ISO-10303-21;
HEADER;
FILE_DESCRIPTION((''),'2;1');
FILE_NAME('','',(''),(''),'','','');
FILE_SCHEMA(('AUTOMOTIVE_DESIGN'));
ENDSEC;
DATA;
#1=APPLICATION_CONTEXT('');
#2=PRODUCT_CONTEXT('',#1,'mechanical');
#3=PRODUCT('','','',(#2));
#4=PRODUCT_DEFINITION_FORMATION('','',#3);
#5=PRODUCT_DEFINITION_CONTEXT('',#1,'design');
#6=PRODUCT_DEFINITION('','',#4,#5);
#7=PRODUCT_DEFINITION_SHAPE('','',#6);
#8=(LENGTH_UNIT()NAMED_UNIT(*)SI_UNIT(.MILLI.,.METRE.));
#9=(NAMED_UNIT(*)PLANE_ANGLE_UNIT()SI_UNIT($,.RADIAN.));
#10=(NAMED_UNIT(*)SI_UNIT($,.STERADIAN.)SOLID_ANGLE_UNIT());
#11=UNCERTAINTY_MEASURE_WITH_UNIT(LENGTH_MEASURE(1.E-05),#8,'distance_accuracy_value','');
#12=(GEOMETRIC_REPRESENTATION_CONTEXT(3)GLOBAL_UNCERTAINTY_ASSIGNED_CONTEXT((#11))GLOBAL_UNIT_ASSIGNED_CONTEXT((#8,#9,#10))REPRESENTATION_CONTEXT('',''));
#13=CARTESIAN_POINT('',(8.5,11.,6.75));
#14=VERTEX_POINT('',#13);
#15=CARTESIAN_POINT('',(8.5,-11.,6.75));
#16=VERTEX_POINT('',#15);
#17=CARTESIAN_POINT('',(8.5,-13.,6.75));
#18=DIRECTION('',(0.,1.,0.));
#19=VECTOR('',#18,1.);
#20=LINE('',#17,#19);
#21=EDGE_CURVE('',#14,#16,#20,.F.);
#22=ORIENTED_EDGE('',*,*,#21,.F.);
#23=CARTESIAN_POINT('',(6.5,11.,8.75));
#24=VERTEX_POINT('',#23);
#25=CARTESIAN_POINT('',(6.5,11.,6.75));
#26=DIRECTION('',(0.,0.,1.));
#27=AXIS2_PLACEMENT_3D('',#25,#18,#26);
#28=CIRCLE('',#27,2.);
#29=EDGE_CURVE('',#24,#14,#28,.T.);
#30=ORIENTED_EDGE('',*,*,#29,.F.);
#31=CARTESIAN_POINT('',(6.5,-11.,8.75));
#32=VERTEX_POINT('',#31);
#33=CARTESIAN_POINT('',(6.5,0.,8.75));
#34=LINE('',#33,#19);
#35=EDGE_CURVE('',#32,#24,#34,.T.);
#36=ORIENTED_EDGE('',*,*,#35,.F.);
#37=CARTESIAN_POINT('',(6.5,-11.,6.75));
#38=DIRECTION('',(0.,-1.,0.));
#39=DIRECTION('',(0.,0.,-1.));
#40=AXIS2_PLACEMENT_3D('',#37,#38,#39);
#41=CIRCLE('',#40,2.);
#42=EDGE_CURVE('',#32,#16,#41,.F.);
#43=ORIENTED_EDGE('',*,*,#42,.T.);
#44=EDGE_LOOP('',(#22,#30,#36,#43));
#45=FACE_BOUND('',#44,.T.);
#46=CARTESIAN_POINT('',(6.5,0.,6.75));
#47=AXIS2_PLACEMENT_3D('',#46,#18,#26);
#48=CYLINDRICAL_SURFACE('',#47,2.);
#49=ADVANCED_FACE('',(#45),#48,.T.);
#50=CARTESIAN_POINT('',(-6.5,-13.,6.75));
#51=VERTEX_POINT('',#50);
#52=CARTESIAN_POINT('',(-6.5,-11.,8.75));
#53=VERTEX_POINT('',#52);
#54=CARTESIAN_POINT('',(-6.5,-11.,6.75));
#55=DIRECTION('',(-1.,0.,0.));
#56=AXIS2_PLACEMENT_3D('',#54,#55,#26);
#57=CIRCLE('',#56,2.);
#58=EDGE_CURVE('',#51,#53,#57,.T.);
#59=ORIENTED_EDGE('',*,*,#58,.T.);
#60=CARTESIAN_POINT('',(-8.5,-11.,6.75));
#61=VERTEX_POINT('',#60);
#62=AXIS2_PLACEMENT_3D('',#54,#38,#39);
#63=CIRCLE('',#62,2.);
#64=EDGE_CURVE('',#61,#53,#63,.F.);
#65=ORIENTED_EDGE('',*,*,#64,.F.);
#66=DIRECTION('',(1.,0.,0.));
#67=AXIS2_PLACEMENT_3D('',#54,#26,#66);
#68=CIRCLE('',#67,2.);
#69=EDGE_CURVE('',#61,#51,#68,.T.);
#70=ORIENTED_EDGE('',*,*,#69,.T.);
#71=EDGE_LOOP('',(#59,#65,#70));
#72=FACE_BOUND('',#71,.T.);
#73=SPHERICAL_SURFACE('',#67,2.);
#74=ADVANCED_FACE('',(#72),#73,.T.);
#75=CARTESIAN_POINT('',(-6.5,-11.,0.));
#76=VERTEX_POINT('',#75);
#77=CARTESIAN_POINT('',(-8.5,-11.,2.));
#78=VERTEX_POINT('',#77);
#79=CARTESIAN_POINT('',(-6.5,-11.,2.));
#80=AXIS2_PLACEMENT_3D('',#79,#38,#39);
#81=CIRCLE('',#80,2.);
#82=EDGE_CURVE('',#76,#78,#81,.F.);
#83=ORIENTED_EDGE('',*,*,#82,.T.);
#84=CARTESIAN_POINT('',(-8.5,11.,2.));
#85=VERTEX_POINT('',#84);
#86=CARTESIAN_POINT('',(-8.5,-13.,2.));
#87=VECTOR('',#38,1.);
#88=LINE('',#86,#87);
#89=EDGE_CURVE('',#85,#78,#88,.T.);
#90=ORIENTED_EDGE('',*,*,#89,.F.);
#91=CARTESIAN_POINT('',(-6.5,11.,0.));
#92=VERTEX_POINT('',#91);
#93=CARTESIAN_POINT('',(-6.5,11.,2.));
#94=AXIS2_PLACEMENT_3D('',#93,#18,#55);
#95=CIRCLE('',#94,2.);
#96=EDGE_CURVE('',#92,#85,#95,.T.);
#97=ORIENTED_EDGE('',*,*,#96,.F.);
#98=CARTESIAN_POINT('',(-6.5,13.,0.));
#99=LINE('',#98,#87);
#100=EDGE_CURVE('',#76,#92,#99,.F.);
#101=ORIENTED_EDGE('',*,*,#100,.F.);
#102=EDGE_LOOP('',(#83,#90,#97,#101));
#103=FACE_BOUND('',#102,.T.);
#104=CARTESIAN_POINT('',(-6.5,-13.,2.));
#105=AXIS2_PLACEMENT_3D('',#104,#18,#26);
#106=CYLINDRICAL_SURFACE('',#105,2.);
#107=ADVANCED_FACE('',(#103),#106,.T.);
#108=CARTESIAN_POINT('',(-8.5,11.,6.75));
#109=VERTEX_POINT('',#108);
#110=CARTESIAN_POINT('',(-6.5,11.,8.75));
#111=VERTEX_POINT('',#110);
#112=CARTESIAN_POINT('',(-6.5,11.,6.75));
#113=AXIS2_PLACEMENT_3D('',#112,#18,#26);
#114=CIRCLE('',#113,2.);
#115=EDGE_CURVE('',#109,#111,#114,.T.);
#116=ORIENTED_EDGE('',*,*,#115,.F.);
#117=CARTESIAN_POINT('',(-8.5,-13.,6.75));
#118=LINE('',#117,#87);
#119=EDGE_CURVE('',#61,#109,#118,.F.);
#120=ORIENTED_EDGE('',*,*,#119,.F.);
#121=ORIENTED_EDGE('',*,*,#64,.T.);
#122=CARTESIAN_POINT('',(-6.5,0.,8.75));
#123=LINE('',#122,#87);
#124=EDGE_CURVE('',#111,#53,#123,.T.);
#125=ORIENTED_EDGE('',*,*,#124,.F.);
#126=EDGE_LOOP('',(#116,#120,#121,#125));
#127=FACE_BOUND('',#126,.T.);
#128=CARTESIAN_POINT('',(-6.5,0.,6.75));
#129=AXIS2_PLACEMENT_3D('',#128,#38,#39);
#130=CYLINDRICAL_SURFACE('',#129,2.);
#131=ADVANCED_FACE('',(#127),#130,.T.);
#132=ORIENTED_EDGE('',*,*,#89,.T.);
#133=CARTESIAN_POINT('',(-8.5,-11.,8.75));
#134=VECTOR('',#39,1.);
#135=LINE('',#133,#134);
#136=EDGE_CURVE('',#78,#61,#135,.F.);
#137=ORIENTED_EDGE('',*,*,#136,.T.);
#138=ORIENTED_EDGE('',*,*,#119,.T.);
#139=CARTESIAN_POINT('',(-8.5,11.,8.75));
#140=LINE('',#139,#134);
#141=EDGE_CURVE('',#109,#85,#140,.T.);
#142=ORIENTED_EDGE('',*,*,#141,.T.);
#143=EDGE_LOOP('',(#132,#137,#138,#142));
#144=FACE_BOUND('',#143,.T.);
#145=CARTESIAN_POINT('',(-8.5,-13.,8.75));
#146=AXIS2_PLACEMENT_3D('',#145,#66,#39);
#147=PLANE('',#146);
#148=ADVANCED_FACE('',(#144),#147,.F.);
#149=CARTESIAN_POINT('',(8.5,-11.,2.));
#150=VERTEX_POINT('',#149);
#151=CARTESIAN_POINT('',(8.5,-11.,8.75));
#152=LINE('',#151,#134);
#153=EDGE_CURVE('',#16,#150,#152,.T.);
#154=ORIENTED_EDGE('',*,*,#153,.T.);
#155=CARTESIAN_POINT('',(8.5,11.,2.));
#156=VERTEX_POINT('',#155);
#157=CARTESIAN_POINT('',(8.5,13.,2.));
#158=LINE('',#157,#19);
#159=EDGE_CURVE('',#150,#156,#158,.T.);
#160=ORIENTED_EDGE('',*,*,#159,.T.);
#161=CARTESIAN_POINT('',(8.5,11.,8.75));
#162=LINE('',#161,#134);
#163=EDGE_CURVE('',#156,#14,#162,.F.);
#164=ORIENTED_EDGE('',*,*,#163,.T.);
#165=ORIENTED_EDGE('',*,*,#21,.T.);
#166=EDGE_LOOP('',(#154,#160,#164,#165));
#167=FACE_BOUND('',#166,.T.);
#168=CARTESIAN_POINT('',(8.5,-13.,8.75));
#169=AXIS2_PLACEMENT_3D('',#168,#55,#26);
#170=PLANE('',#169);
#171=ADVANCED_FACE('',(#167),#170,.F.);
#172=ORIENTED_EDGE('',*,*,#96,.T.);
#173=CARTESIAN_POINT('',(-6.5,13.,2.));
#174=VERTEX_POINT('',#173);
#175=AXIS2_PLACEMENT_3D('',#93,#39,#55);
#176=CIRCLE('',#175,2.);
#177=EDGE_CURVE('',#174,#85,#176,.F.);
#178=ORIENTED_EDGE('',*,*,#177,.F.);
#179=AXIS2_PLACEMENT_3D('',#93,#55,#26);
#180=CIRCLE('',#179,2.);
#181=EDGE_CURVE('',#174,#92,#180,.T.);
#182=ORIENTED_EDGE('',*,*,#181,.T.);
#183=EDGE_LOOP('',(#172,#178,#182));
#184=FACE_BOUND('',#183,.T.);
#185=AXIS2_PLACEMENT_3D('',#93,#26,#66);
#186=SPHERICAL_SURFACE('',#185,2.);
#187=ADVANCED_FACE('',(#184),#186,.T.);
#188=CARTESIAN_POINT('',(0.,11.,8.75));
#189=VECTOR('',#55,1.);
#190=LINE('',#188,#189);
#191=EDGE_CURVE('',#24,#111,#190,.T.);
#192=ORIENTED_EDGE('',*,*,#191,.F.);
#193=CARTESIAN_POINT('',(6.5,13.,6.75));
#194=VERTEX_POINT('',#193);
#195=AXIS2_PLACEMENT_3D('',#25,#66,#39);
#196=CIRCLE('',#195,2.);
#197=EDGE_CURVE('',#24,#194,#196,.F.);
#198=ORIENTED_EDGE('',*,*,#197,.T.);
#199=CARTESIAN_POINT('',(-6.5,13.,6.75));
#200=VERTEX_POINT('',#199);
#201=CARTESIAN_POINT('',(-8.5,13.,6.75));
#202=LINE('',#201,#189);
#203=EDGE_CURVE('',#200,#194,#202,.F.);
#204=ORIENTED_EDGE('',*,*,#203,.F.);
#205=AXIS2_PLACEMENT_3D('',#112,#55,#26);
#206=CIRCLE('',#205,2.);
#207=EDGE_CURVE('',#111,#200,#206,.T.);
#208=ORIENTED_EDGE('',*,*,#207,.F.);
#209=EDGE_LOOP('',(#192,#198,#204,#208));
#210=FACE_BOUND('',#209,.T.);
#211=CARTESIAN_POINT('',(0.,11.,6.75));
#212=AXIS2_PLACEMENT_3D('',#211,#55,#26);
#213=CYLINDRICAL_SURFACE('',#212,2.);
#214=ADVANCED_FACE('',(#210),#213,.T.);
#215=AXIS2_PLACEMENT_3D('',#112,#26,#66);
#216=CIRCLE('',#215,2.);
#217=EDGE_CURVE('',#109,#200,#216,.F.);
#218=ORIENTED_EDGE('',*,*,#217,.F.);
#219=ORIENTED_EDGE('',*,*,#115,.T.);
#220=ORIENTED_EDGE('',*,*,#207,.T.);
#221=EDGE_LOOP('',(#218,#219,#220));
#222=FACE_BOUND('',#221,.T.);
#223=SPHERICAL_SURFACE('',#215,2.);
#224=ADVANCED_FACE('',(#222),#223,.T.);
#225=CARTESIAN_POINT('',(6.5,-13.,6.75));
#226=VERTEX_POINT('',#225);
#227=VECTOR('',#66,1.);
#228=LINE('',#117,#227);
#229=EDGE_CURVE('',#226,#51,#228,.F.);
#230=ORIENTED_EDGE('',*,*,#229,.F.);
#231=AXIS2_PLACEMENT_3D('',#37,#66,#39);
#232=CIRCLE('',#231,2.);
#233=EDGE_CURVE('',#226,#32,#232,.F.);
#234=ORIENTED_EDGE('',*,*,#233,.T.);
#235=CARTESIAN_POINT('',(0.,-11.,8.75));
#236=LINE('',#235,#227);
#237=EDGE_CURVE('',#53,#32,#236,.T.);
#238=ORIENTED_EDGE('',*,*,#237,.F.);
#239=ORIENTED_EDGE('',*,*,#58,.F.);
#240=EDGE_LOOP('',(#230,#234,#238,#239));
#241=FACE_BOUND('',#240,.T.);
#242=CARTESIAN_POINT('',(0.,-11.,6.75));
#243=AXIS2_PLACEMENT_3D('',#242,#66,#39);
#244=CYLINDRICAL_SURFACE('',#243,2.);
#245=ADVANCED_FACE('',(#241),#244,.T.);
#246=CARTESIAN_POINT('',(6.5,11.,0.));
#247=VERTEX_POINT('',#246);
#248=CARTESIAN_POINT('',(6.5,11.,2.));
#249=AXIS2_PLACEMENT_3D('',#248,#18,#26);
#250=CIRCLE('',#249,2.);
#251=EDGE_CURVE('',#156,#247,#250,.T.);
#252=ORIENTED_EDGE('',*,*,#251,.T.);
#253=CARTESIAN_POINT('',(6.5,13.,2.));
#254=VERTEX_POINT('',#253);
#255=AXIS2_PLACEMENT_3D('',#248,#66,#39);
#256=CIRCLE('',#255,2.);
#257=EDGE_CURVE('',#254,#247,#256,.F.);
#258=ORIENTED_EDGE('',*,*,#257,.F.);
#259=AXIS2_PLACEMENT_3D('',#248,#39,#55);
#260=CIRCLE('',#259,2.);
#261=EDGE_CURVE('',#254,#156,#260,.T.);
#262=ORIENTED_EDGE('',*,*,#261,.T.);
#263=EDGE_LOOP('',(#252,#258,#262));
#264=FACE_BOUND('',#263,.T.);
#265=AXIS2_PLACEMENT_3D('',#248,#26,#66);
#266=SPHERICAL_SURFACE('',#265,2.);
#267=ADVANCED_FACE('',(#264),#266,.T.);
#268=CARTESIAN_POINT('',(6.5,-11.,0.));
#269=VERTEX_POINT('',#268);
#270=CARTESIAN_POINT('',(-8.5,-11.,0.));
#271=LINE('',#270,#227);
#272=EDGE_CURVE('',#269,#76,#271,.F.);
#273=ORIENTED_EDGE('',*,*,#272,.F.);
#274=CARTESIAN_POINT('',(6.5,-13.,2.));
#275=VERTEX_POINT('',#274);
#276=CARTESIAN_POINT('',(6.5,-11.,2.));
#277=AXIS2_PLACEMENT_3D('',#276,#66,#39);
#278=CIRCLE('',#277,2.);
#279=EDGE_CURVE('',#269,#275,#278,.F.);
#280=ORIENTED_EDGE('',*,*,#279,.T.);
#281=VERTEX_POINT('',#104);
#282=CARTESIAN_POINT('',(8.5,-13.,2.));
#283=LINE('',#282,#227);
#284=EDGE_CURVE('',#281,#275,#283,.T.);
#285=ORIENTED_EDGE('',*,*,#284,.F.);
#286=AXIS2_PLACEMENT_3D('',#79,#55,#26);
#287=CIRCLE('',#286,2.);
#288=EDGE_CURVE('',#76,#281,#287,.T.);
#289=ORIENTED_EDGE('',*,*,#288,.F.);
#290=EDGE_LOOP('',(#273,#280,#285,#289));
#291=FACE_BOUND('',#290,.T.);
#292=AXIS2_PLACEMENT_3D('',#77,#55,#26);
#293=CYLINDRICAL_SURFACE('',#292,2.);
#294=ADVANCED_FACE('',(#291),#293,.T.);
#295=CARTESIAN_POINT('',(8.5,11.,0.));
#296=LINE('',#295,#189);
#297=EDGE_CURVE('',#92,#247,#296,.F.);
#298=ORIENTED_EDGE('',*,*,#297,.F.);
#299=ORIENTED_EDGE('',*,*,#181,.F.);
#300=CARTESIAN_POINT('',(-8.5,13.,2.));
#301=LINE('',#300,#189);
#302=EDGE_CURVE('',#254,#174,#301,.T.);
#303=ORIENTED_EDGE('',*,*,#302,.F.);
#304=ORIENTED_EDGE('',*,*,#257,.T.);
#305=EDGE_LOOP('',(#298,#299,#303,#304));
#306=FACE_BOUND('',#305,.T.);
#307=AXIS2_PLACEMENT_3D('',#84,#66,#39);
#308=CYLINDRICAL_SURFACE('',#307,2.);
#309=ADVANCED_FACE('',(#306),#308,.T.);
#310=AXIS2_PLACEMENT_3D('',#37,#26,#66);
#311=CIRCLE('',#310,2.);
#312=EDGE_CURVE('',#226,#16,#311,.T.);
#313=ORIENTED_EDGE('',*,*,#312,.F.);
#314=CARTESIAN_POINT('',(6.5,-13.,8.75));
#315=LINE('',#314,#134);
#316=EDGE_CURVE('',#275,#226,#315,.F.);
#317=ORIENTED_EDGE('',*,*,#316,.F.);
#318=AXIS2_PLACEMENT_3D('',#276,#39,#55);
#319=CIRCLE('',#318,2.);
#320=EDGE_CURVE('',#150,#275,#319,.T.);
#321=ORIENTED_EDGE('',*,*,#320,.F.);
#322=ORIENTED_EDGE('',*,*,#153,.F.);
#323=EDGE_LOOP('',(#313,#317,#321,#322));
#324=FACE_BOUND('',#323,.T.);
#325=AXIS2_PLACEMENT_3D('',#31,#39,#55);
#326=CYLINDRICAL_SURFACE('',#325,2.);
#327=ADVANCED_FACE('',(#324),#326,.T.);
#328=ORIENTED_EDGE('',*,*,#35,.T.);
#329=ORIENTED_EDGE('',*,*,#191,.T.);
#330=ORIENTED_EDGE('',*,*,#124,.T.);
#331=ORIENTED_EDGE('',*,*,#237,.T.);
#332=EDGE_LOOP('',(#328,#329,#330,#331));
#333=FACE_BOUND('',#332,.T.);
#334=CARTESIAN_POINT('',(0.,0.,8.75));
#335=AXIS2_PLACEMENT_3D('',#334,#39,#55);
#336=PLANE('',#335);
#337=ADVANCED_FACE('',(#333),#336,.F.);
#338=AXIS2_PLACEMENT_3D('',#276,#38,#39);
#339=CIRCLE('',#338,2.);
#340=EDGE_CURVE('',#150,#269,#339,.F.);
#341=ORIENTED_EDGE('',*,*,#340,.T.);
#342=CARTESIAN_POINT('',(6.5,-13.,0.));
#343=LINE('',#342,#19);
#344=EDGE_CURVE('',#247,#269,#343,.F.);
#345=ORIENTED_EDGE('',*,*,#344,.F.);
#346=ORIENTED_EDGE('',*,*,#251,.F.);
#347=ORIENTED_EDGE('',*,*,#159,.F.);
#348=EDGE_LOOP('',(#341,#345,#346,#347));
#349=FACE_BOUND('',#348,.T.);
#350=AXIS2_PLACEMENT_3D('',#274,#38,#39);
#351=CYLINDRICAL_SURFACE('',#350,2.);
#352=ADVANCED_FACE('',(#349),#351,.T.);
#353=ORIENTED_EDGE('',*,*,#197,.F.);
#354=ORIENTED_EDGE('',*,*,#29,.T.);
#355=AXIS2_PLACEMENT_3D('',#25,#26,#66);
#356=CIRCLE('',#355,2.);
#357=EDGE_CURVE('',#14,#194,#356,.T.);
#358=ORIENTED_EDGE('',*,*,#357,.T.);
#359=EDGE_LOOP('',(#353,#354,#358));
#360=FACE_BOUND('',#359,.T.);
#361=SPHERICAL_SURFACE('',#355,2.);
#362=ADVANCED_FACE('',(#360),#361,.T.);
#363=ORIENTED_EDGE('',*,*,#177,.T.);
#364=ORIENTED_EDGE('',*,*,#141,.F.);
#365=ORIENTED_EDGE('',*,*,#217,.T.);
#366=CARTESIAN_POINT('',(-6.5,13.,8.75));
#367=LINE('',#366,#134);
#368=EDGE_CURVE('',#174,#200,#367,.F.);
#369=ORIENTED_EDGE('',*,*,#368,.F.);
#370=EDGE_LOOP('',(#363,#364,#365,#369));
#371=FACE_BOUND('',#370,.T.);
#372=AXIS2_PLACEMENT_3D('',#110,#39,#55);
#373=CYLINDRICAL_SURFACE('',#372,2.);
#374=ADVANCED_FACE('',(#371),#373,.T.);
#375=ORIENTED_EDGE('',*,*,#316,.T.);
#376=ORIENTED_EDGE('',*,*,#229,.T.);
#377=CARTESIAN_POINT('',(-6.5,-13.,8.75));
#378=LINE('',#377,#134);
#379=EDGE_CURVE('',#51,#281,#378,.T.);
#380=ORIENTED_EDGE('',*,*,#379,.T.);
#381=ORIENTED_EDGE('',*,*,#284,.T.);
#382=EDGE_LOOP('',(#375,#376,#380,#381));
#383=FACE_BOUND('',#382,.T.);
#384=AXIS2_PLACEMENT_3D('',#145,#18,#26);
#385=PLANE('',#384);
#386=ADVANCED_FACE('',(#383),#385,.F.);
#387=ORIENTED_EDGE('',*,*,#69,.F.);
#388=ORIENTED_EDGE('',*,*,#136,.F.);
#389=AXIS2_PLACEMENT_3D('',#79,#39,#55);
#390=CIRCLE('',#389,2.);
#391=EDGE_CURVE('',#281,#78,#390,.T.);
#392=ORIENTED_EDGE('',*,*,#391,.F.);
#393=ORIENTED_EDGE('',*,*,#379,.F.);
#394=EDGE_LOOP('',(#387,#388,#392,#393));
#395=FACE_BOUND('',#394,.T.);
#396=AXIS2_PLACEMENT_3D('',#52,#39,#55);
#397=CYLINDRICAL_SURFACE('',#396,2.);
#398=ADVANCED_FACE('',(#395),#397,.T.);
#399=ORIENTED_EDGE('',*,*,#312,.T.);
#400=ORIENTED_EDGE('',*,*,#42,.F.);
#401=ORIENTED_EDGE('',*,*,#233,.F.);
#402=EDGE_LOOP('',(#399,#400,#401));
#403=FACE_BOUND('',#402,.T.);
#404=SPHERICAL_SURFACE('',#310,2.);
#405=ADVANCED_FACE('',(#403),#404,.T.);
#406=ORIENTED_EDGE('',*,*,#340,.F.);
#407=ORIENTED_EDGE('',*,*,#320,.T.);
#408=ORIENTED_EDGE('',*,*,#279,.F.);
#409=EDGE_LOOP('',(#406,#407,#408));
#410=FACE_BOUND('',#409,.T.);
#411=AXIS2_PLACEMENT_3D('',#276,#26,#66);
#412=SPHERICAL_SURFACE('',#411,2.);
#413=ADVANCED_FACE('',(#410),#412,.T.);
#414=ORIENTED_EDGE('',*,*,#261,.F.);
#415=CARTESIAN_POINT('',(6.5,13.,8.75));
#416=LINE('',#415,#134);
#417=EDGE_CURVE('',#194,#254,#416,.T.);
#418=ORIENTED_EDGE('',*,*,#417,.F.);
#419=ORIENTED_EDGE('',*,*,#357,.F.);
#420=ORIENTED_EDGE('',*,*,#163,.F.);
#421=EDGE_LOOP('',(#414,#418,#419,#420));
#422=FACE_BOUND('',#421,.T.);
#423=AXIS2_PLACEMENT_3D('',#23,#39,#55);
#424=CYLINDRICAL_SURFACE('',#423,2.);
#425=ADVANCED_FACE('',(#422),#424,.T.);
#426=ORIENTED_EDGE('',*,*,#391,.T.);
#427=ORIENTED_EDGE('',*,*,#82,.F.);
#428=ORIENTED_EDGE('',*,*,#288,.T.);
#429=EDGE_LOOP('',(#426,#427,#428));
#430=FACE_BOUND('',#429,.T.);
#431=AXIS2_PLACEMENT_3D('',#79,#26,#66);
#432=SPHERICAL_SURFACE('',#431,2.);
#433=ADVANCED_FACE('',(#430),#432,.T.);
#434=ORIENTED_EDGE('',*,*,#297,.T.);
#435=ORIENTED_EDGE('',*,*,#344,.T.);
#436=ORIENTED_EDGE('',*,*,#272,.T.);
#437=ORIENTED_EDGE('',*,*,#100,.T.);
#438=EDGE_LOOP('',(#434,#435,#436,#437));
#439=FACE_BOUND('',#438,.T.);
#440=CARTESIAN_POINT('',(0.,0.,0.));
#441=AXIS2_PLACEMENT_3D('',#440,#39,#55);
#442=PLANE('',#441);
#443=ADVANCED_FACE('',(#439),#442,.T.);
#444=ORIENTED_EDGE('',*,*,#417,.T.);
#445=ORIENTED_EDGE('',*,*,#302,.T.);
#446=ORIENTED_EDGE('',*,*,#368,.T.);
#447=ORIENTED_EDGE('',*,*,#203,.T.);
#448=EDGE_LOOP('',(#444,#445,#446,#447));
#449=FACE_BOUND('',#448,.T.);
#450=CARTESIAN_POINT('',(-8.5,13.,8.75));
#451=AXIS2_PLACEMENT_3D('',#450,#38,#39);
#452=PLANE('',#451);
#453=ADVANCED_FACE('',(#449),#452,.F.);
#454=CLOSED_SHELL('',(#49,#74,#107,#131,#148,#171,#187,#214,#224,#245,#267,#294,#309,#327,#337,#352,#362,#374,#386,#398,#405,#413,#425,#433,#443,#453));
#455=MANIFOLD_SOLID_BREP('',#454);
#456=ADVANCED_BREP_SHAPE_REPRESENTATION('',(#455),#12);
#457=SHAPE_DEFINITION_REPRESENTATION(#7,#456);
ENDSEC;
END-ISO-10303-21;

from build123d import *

# Parameters (mm, degrees)
SKETCH_1_W      = 17
SKETCH_1_H      = 26
EXTRUDE_1_DEPTH = 8.75
FILLET_1_R      = 2


with BuildPart() as part:
    # 草图1 → 凸台-拉伸1 (new body)
    with BuildSketch(Plane.XY):
        Rectangle(SKETCH_1_W, SKETCH_1_H)
    extrude(amount=EXTRUDE_1_DEPTH)

    # 圆角1
    fillet_1_edges = [part.edges().sort_by_distance(p)[0] for p in [
        (-8.5, 0, 8.75),
        (0, -13, 8.75),
        (8.5, 0, 8.75),
        (0, -13, 0),
        (-8.5, 0, 0),
        (0, 13, 0),
        (8.5, 0, 0),
        (0, 13, 8.75),
        (8.5, -13, 4.375),
        (-8.5, -13, 4.375),
        (-8.5, 13, 4.375),
        (8.5, 13, 4.375),
    ]]
    fillet(fillet_1_edges, radius=FILLET_1_R)


solid = part.part
